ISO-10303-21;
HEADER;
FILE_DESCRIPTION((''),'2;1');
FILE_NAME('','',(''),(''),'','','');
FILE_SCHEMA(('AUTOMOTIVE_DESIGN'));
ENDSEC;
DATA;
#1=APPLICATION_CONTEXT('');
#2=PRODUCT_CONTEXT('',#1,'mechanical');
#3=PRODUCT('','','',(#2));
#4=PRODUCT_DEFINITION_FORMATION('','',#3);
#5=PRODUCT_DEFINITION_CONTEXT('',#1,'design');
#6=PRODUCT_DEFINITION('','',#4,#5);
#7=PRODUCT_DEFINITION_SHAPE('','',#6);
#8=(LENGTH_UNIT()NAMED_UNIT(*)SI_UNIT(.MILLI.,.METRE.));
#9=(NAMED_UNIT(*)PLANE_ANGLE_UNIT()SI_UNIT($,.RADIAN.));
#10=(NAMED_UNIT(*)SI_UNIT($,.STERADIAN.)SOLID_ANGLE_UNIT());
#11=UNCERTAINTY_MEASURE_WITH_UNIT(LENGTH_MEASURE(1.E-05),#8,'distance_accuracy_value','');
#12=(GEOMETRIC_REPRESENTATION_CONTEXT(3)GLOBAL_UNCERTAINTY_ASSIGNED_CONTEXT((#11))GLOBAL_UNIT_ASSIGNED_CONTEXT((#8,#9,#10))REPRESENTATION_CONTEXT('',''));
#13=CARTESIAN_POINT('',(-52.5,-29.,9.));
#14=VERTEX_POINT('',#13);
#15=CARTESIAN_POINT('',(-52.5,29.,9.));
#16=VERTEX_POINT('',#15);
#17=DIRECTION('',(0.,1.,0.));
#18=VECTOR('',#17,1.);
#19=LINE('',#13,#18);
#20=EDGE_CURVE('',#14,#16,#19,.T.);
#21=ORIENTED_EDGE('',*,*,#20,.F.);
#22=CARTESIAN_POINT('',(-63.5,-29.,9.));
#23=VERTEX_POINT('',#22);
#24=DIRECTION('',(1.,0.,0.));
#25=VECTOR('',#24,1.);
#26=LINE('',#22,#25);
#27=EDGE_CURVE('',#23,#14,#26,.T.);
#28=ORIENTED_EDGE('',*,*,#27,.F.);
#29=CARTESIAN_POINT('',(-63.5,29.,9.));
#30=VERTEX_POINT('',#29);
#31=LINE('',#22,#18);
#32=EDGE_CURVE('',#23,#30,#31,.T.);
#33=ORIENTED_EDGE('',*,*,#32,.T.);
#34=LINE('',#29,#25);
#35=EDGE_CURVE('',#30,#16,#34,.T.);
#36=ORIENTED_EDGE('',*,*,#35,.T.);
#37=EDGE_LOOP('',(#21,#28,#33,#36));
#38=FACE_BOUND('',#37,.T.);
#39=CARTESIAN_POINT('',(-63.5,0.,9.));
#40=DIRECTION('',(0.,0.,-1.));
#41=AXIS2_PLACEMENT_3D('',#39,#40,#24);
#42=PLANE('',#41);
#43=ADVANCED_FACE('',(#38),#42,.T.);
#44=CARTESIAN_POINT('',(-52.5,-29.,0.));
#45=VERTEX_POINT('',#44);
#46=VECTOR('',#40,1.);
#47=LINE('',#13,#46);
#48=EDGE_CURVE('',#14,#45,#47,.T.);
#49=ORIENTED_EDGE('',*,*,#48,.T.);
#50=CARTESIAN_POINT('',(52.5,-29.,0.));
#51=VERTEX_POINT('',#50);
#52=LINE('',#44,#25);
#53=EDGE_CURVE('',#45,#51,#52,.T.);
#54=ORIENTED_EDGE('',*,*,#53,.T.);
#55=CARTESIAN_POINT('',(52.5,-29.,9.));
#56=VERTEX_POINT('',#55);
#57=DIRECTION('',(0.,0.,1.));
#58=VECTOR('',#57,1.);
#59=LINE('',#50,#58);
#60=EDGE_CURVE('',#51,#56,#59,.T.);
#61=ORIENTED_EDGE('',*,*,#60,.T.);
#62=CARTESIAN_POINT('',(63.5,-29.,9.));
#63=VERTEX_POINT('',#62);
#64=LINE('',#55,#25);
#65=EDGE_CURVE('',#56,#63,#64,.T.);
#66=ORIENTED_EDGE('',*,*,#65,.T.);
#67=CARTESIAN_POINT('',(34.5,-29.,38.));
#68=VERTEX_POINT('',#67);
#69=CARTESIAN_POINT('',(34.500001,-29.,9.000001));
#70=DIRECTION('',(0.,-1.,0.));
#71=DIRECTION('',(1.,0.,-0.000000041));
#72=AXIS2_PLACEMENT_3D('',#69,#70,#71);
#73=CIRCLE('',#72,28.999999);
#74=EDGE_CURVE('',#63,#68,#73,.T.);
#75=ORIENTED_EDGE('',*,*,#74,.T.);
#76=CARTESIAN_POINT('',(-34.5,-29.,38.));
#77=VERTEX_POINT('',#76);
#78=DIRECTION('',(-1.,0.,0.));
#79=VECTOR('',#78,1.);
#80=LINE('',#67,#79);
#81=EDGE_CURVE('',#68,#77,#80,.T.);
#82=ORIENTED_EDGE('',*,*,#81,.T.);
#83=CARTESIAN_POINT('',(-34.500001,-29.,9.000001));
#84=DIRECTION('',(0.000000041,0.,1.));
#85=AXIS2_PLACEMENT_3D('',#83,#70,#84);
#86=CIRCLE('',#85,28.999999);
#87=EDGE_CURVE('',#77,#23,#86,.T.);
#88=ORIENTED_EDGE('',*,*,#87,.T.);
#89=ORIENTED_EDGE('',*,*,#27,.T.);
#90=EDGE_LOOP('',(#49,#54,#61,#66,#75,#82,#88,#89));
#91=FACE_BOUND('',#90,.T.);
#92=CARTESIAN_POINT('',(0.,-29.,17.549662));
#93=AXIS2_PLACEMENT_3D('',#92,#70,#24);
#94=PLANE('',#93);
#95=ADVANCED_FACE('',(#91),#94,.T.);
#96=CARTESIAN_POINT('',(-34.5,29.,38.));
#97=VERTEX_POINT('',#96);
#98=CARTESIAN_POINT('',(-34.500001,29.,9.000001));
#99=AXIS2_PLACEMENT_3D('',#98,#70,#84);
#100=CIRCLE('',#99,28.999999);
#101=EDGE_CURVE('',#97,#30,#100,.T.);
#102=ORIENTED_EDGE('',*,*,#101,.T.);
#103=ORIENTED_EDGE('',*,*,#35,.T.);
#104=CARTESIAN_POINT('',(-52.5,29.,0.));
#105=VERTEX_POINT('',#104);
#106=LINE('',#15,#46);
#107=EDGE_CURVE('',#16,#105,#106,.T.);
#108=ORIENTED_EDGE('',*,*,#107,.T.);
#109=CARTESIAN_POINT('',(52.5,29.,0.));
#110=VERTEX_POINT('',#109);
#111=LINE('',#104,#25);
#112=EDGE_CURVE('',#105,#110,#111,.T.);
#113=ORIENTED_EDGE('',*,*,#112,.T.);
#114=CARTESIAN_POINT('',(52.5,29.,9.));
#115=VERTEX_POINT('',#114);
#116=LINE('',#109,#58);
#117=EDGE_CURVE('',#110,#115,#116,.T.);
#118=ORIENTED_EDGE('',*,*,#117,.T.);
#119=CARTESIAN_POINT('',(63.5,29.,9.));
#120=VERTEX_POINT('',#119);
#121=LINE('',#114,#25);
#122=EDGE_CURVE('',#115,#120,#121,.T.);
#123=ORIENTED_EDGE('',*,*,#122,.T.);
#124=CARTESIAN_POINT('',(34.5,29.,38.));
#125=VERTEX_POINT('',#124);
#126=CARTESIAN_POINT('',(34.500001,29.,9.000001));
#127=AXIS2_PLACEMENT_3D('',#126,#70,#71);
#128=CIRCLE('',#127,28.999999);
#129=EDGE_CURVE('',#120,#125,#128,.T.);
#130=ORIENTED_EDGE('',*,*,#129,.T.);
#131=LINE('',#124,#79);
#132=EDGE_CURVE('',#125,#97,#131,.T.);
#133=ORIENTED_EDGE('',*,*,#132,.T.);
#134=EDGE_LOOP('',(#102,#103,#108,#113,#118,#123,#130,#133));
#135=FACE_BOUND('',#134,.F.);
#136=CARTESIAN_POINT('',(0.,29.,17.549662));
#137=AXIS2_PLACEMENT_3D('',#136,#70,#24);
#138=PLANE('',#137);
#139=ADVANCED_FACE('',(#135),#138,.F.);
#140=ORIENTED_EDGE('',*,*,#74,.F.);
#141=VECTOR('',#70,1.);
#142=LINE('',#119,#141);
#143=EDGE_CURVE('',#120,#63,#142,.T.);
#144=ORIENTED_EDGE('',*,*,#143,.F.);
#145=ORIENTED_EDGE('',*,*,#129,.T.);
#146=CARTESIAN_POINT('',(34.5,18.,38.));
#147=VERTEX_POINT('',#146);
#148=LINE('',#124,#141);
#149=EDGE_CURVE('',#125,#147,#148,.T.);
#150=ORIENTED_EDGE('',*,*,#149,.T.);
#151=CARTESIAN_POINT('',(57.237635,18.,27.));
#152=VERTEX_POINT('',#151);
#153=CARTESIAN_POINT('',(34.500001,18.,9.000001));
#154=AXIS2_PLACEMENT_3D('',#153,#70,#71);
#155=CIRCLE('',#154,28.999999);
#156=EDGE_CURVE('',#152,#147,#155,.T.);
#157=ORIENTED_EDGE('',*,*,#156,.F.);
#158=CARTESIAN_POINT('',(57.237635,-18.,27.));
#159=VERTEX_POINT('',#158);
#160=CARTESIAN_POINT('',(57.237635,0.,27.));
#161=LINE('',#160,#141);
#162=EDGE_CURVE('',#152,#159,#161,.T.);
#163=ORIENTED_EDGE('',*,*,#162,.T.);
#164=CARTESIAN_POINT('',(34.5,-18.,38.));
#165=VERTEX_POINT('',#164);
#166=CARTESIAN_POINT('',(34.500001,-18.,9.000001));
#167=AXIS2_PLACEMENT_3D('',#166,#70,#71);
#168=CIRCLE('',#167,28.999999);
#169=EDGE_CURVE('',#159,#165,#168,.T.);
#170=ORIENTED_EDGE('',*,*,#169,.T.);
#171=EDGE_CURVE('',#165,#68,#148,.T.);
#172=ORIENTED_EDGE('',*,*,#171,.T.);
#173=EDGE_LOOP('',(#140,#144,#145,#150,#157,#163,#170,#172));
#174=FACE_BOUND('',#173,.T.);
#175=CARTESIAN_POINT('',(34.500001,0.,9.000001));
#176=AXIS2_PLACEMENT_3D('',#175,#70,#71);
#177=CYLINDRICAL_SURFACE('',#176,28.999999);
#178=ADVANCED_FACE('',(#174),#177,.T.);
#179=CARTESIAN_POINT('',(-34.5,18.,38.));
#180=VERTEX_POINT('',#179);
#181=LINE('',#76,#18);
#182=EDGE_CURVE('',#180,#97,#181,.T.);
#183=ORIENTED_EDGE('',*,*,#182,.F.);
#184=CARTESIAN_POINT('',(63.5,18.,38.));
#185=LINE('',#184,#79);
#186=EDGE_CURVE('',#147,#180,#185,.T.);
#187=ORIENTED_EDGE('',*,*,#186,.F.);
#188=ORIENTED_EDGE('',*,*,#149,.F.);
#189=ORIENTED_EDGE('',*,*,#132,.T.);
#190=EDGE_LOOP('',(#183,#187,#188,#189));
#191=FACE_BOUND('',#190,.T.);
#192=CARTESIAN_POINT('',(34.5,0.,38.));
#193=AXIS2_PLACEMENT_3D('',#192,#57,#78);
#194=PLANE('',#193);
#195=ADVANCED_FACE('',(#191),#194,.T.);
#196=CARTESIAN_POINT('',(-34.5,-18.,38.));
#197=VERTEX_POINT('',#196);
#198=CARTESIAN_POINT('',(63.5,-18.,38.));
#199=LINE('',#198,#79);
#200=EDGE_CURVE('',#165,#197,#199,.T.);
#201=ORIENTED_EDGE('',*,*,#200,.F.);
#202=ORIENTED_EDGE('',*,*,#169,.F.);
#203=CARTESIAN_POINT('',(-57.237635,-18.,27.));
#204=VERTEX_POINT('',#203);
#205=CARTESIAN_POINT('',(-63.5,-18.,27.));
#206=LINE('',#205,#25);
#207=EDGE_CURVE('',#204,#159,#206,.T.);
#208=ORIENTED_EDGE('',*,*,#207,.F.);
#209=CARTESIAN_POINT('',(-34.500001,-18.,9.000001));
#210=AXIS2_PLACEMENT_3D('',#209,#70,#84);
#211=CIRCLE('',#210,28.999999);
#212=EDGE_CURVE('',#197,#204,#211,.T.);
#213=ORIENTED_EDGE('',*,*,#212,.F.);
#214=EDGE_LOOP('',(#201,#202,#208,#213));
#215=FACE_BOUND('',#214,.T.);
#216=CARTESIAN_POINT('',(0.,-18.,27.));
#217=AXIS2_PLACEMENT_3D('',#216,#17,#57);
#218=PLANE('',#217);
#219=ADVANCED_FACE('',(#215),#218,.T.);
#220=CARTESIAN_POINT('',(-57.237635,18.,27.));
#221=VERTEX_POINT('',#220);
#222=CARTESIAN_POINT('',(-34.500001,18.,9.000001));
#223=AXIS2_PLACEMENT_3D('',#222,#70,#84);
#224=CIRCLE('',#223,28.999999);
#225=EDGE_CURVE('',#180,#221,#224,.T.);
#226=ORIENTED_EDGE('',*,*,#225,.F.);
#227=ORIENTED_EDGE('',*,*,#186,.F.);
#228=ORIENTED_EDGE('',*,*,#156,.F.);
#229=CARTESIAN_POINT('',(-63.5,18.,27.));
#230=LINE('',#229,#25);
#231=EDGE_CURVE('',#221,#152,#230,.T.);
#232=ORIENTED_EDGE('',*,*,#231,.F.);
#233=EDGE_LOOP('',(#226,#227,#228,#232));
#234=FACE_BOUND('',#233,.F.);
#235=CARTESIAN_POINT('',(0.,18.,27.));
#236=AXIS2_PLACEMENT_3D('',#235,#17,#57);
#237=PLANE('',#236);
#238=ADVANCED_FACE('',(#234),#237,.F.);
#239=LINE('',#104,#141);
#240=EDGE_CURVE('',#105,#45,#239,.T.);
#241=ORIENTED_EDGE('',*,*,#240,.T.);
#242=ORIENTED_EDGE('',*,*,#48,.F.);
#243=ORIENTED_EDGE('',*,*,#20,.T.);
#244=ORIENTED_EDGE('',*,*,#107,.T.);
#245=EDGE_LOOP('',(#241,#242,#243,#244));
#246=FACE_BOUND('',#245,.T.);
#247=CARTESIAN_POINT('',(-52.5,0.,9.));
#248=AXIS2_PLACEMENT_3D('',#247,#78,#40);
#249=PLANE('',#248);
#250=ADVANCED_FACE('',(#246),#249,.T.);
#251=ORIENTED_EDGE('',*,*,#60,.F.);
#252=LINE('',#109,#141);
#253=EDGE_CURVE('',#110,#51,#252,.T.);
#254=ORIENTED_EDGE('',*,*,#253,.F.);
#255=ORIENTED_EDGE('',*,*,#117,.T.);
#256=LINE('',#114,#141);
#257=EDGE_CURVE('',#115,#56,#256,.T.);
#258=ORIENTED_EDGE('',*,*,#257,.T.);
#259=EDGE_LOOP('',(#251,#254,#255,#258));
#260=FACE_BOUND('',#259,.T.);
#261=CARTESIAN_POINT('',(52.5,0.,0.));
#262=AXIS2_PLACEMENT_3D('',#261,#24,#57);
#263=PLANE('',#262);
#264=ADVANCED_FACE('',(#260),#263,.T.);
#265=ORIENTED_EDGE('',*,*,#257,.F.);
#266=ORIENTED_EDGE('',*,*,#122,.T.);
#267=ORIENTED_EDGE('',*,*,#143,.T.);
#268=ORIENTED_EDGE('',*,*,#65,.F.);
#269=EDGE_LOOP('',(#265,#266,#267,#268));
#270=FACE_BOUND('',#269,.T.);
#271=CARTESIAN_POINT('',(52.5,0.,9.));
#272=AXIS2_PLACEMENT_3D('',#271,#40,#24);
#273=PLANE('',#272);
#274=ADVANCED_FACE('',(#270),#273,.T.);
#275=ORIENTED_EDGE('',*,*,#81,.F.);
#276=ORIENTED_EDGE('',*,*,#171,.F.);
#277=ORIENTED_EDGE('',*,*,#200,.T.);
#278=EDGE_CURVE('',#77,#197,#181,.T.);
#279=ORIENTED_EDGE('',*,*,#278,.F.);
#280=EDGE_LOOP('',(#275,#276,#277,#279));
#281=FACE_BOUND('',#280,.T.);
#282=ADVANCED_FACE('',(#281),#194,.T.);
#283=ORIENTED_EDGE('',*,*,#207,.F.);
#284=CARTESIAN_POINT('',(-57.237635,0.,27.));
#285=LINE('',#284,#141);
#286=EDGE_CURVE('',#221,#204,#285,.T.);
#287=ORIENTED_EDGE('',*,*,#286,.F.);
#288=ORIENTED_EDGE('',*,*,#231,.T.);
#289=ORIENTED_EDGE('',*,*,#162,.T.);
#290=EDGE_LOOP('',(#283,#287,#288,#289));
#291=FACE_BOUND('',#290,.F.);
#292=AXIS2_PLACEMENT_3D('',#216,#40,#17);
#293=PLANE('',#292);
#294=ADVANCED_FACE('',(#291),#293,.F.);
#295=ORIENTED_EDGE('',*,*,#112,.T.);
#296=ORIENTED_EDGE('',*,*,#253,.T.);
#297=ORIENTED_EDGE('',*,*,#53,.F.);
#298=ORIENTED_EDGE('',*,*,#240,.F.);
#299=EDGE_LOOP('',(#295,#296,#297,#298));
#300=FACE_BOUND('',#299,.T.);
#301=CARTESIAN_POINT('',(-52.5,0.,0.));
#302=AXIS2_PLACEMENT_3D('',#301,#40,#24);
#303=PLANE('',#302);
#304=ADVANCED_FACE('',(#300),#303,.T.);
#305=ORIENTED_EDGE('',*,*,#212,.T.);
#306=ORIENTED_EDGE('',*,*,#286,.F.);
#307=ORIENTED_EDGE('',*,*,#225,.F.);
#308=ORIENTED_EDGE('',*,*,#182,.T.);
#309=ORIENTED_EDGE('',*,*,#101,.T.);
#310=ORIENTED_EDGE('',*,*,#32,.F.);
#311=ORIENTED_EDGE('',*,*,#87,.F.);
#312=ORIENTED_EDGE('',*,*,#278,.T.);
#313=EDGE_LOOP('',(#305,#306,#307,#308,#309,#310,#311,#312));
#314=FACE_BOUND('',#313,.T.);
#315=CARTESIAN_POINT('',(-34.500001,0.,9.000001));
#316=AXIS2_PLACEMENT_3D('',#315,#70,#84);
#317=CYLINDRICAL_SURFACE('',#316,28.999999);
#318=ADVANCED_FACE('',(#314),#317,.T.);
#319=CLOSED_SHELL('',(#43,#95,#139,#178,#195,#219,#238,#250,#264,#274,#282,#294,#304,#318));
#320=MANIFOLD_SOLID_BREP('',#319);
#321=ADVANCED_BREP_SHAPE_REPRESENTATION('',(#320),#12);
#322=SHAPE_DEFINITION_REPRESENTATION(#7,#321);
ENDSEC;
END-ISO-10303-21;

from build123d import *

# Parameters (mm, degrees)
F1_DEPTH = 29
F2_W     = 36
F2_H     = 11
F3_DEPTH = 63.5


with BuildPart() as f1:
    # F0 (on Front) → F1 (new body, symmetric)
    with BuildSketch(Plane.XZ):
        with BuildLine():
            Line((-52.5, 9), (-52.5, 0))
            Line((-52.5, 0), (52.5, 0))
            Line((52.5, 0), (52.5, 9))
            Line((52.5, 9), (63.5, 9))
            ThreePointArc((63.5, 9), (55.006097, 29.506097), (34.5, 38))
            Line((34.5, 38), (-34.5, 38))
            ThreePointArc((-34.5, 38), (-55.006097, 29.506097), (-63.5, 9))
            Line((-63.5, 9), (-52.5, 9))
        make_face()
    extrude(amount=F1_DEPTH, both=True)

    # F2 (on Right) → F3 (cut, symmetric)
    with BuildSketch(Plane.YZ):
        with Locations((0, 32.5)):
            Rectangle(F2_W, F2_H)
    extrude(amount=F3_DEPTH, both=True, mode=Mode.SUBTRACT)


solid = f1.part
